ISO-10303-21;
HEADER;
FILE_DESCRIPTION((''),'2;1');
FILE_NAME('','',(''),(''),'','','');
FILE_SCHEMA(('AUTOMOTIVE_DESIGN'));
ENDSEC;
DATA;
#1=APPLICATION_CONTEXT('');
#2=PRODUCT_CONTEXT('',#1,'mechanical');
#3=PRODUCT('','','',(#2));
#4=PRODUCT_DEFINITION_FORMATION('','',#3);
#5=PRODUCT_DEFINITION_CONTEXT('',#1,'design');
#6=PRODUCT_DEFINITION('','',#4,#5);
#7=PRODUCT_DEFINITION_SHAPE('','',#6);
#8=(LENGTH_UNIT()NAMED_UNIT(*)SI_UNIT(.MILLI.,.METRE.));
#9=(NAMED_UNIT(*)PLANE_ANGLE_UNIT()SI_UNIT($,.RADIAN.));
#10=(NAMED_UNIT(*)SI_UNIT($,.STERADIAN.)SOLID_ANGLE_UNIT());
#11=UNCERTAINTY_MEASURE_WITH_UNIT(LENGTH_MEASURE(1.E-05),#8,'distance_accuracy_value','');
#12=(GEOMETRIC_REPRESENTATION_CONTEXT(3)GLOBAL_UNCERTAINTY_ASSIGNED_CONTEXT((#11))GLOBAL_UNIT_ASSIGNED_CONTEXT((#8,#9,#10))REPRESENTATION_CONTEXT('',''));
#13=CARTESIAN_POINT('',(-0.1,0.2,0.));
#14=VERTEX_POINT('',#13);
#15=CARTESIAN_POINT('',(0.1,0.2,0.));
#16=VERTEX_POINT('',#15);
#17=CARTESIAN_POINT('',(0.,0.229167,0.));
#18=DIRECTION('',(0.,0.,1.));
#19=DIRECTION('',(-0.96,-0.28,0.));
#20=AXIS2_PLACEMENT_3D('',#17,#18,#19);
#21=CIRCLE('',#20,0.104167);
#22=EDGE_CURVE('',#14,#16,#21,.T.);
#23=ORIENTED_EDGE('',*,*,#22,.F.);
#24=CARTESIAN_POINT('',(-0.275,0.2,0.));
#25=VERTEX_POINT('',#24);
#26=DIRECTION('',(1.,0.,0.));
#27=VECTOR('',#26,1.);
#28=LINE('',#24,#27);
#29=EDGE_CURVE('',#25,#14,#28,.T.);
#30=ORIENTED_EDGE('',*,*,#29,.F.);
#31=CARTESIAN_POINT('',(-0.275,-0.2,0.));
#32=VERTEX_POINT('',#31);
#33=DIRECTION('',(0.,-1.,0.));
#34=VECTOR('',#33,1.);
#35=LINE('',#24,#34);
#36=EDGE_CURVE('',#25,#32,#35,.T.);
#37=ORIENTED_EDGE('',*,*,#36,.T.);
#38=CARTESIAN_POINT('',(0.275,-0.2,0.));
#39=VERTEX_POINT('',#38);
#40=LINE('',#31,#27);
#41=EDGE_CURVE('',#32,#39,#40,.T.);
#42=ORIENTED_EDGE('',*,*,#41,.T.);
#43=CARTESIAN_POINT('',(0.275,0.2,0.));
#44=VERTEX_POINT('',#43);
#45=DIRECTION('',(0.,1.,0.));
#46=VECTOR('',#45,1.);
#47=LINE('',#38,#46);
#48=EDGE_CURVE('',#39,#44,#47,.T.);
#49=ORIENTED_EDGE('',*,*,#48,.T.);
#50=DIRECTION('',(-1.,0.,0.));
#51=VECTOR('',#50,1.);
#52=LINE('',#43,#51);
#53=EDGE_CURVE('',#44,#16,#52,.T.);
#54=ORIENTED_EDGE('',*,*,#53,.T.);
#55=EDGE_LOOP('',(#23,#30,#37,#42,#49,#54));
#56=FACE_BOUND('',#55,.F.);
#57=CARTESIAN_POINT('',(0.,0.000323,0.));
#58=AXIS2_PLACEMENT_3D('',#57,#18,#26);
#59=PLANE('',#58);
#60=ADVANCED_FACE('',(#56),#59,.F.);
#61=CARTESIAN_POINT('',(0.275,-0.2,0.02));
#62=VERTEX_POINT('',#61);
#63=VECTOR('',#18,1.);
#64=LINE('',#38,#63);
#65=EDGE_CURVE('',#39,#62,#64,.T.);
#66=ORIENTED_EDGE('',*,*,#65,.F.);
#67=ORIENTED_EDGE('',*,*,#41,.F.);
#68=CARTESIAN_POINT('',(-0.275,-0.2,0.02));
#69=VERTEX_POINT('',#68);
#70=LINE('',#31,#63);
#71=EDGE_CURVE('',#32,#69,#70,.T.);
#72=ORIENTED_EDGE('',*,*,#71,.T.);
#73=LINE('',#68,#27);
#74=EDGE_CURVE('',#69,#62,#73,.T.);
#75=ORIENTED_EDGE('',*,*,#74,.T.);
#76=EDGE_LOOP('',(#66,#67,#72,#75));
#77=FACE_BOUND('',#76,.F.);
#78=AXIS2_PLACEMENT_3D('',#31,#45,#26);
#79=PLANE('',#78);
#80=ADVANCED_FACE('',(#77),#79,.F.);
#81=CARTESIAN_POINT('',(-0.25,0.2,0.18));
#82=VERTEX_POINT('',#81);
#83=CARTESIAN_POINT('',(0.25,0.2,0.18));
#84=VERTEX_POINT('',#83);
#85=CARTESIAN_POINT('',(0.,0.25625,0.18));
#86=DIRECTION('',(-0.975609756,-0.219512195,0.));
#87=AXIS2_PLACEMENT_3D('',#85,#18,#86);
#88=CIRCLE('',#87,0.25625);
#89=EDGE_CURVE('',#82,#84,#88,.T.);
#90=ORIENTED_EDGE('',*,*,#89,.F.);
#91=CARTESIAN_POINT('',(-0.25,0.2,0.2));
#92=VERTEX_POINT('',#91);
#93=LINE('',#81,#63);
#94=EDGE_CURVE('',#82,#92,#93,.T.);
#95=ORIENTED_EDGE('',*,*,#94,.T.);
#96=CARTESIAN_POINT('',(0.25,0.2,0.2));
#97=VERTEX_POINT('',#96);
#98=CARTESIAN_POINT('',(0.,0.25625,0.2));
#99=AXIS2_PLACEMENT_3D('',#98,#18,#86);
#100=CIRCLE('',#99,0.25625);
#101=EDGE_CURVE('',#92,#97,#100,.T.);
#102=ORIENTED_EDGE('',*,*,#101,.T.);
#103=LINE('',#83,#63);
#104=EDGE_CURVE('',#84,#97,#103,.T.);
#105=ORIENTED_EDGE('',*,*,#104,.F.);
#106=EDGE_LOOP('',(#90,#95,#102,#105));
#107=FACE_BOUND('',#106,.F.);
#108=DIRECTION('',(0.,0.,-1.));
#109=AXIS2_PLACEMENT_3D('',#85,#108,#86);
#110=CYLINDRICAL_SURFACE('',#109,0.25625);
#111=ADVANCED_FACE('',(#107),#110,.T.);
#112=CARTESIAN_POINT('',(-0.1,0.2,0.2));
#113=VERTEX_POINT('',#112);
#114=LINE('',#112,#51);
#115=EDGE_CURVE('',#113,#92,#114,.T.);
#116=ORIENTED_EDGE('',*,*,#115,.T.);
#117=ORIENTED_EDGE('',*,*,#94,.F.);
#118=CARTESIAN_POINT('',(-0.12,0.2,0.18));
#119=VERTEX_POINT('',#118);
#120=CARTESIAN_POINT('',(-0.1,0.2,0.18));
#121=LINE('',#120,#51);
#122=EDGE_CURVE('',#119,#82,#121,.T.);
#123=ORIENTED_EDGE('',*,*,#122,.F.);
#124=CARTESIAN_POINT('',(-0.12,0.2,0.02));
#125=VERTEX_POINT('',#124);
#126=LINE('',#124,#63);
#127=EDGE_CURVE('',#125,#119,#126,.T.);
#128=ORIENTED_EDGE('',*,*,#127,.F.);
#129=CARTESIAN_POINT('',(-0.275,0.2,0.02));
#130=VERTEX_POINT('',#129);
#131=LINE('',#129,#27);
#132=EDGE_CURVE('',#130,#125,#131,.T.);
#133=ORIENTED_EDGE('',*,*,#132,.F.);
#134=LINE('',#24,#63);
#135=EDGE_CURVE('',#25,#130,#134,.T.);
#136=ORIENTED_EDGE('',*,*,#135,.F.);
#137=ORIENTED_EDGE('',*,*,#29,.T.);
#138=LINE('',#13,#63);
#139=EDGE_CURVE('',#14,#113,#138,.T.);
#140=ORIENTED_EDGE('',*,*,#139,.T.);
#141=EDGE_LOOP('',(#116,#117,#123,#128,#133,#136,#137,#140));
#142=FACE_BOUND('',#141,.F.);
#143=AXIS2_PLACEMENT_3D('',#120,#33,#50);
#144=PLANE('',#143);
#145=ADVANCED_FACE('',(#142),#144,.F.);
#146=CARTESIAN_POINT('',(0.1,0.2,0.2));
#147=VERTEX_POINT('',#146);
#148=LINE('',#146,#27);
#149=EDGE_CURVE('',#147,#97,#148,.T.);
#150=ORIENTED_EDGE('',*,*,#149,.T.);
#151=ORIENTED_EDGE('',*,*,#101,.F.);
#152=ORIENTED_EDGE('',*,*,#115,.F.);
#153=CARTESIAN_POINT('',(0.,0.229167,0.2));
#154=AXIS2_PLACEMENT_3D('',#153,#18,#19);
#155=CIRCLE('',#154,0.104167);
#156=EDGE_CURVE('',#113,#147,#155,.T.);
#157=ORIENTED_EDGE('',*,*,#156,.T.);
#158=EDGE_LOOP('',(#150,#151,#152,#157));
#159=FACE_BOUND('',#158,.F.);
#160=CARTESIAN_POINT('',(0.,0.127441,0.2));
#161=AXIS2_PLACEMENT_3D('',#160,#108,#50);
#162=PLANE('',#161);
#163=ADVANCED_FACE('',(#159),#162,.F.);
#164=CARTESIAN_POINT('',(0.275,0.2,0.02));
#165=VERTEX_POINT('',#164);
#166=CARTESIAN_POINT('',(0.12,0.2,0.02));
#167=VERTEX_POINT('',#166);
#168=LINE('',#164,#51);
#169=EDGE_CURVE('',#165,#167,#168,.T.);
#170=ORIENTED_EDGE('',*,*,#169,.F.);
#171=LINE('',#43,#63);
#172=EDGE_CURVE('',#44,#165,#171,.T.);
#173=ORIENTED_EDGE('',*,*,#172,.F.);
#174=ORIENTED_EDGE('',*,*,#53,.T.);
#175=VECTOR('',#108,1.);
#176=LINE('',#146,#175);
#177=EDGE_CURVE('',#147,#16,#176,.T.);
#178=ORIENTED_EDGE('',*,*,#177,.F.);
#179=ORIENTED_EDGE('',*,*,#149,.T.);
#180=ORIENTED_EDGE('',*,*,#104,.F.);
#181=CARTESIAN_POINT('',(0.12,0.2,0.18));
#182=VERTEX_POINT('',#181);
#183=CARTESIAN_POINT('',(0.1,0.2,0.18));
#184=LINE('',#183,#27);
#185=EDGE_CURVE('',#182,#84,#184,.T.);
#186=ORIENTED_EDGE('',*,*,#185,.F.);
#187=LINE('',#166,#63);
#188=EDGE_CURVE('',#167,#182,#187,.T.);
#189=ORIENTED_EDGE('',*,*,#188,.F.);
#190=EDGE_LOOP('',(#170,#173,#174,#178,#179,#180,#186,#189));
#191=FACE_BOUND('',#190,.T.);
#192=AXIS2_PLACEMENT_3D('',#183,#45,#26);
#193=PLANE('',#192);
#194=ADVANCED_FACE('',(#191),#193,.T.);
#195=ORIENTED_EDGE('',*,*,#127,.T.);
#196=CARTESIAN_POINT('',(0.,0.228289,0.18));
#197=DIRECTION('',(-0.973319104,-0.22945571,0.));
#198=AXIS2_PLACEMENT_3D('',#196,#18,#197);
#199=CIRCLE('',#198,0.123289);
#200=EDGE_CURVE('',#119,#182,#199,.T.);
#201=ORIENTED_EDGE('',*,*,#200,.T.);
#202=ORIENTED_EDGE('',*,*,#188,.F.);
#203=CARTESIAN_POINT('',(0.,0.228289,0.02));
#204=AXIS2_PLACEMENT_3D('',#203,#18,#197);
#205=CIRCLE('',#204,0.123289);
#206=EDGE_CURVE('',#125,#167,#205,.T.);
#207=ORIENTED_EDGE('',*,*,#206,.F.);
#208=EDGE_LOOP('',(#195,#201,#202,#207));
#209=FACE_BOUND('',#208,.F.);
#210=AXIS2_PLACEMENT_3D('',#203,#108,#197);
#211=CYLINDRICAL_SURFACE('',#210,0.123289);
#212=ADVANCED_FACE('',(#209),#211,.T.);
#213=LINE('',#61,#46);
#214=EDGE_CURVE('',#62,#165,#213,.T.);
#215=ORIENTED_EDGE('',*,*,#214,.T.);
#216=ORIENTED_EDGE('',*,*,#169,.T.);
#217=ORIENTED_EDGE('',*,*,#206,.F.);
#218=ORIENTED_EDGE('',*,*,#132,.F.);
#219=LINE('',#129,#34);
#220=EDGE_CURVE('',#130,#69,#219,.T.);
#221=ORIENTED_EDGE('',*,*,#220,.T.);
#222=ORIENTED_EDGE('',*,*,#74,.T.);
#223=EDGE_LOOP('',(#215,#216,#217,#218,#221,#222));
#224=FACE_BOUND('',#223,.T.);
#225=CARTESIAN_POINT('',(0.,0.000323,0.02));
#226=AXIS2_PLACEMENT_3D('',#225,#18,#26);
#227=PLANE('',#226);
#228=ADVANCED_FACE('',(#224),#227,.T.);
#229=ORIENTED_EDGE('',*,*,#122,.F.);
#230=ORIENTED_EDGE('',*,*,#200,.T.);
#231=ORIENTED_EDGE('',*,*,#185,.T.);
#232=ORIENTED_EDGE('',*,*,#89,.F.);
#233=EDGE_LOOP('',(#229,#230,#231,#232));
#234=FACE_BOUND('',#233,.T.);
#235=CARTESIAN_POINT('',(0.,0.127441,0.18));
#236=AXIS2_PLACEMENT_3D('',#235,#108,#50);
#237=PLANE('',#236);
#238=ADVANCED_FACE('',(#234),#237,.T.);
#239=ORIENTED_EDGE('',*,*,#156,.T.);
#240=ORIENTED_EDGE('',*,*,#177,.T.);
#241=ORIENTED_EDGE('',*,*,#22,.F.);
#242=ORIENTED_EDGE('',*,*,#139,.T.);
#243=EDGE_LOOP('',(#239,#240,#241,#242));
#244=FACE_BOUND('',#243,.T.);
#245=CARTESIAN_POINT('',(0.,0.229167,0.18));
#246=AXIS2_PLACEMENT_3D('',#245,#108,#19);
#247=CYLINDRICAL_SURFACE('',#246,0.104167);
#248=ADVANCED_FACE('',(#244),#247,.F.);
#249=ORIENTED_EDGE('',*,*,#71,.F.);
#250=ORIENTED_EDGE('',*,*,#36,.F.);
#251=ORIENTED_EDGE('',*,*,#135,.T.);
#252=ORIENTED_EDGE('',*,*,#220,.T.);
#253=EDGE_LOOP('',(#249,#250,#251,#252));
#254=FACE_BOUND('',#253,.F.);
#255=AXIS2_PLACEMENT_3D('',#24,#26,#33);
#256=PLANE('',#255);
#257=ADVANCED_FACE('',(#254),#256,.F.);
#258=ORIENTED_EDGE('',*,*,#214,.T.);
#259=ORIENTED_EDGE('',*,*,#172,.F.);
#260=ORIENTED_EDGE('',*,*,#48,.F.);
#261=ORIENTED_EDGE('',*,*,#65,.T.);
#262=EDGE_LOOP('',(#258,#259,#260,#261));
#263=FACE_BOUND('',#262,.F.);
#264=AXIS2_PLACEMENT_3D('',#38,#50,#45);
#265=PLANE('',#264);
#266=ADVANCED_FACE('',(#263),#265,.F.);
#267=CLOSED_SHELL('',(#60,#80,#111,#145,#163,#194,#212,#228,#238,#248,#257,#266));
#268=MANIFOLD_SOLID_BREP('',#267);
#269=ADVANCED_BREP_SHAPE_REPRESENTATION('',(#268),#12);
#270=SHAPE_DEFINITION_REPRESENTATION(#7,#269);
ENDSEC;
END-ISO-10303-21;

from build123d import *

# Parameters (mm, degrees)
PAD_DEPTH    = 0.02
PAD001_DEPTH = 0.16
PAD002_DEPTH = 0.02


with BuildPart() as part:
    # Sketch → Pad (new body)
    with BuildSketch(Plane.XY):
        with BuildLine():
            Line((-0.275, 0.2), (-0.275, -0.2))
            Line((-0.275, -0.2), (0.275, -0.2))
            Line((0.275, -0.2), (0.275, 0.2))
            Line((0.275, 0.2), (0.1, 0.2))
            ThreePointArc((-0.1, 0.2), (0, 0.125), (0.1, 0.2))
            Line((-0.275, 0.2), (-0.1, 0.2))
        make_face()
    extrude(amount=PAD_DEPTH)

    # Sketch001 (on Face8 of Pad) → Pad001 (join)
    with BuildSketch(Plane.XY.offset(0.02)):
        with BuildLine():
            Line((-0.1, 0.2), (-0.12, 0.2))
            ThreePointArc((-0.12, 0.2), (0, 0.105), (0.12, 0.2))
            Line((0.1, 0.2), (0.12, 0.2))
            ThreePointArc((-0.1, 0.2), (0, 0.125), (0.1, 0.2))
        make_face()
    extrude(amount=PAD001_DEPTH)

    # Sketch002 (on Face12 of Pad001) → Pad002 (join)
    with BuildSketch(Plane.XY.offset(0.18)):
        with BuildLine():
            ThreePointArc((-0.1, 0.2), (0, 0.125), (0.1, 0.2))
            Line((0.1, 0.2), (0.25, 0.2))
            ThreePointArc((-0.25, 0.2), (0, 0), (0.25, 0.2))
            Line((-0.1, 0.2), (-0.25, 0.2))
        make_face()
    extrude(amount=PAD002_DEPTH)


solid = part.part
